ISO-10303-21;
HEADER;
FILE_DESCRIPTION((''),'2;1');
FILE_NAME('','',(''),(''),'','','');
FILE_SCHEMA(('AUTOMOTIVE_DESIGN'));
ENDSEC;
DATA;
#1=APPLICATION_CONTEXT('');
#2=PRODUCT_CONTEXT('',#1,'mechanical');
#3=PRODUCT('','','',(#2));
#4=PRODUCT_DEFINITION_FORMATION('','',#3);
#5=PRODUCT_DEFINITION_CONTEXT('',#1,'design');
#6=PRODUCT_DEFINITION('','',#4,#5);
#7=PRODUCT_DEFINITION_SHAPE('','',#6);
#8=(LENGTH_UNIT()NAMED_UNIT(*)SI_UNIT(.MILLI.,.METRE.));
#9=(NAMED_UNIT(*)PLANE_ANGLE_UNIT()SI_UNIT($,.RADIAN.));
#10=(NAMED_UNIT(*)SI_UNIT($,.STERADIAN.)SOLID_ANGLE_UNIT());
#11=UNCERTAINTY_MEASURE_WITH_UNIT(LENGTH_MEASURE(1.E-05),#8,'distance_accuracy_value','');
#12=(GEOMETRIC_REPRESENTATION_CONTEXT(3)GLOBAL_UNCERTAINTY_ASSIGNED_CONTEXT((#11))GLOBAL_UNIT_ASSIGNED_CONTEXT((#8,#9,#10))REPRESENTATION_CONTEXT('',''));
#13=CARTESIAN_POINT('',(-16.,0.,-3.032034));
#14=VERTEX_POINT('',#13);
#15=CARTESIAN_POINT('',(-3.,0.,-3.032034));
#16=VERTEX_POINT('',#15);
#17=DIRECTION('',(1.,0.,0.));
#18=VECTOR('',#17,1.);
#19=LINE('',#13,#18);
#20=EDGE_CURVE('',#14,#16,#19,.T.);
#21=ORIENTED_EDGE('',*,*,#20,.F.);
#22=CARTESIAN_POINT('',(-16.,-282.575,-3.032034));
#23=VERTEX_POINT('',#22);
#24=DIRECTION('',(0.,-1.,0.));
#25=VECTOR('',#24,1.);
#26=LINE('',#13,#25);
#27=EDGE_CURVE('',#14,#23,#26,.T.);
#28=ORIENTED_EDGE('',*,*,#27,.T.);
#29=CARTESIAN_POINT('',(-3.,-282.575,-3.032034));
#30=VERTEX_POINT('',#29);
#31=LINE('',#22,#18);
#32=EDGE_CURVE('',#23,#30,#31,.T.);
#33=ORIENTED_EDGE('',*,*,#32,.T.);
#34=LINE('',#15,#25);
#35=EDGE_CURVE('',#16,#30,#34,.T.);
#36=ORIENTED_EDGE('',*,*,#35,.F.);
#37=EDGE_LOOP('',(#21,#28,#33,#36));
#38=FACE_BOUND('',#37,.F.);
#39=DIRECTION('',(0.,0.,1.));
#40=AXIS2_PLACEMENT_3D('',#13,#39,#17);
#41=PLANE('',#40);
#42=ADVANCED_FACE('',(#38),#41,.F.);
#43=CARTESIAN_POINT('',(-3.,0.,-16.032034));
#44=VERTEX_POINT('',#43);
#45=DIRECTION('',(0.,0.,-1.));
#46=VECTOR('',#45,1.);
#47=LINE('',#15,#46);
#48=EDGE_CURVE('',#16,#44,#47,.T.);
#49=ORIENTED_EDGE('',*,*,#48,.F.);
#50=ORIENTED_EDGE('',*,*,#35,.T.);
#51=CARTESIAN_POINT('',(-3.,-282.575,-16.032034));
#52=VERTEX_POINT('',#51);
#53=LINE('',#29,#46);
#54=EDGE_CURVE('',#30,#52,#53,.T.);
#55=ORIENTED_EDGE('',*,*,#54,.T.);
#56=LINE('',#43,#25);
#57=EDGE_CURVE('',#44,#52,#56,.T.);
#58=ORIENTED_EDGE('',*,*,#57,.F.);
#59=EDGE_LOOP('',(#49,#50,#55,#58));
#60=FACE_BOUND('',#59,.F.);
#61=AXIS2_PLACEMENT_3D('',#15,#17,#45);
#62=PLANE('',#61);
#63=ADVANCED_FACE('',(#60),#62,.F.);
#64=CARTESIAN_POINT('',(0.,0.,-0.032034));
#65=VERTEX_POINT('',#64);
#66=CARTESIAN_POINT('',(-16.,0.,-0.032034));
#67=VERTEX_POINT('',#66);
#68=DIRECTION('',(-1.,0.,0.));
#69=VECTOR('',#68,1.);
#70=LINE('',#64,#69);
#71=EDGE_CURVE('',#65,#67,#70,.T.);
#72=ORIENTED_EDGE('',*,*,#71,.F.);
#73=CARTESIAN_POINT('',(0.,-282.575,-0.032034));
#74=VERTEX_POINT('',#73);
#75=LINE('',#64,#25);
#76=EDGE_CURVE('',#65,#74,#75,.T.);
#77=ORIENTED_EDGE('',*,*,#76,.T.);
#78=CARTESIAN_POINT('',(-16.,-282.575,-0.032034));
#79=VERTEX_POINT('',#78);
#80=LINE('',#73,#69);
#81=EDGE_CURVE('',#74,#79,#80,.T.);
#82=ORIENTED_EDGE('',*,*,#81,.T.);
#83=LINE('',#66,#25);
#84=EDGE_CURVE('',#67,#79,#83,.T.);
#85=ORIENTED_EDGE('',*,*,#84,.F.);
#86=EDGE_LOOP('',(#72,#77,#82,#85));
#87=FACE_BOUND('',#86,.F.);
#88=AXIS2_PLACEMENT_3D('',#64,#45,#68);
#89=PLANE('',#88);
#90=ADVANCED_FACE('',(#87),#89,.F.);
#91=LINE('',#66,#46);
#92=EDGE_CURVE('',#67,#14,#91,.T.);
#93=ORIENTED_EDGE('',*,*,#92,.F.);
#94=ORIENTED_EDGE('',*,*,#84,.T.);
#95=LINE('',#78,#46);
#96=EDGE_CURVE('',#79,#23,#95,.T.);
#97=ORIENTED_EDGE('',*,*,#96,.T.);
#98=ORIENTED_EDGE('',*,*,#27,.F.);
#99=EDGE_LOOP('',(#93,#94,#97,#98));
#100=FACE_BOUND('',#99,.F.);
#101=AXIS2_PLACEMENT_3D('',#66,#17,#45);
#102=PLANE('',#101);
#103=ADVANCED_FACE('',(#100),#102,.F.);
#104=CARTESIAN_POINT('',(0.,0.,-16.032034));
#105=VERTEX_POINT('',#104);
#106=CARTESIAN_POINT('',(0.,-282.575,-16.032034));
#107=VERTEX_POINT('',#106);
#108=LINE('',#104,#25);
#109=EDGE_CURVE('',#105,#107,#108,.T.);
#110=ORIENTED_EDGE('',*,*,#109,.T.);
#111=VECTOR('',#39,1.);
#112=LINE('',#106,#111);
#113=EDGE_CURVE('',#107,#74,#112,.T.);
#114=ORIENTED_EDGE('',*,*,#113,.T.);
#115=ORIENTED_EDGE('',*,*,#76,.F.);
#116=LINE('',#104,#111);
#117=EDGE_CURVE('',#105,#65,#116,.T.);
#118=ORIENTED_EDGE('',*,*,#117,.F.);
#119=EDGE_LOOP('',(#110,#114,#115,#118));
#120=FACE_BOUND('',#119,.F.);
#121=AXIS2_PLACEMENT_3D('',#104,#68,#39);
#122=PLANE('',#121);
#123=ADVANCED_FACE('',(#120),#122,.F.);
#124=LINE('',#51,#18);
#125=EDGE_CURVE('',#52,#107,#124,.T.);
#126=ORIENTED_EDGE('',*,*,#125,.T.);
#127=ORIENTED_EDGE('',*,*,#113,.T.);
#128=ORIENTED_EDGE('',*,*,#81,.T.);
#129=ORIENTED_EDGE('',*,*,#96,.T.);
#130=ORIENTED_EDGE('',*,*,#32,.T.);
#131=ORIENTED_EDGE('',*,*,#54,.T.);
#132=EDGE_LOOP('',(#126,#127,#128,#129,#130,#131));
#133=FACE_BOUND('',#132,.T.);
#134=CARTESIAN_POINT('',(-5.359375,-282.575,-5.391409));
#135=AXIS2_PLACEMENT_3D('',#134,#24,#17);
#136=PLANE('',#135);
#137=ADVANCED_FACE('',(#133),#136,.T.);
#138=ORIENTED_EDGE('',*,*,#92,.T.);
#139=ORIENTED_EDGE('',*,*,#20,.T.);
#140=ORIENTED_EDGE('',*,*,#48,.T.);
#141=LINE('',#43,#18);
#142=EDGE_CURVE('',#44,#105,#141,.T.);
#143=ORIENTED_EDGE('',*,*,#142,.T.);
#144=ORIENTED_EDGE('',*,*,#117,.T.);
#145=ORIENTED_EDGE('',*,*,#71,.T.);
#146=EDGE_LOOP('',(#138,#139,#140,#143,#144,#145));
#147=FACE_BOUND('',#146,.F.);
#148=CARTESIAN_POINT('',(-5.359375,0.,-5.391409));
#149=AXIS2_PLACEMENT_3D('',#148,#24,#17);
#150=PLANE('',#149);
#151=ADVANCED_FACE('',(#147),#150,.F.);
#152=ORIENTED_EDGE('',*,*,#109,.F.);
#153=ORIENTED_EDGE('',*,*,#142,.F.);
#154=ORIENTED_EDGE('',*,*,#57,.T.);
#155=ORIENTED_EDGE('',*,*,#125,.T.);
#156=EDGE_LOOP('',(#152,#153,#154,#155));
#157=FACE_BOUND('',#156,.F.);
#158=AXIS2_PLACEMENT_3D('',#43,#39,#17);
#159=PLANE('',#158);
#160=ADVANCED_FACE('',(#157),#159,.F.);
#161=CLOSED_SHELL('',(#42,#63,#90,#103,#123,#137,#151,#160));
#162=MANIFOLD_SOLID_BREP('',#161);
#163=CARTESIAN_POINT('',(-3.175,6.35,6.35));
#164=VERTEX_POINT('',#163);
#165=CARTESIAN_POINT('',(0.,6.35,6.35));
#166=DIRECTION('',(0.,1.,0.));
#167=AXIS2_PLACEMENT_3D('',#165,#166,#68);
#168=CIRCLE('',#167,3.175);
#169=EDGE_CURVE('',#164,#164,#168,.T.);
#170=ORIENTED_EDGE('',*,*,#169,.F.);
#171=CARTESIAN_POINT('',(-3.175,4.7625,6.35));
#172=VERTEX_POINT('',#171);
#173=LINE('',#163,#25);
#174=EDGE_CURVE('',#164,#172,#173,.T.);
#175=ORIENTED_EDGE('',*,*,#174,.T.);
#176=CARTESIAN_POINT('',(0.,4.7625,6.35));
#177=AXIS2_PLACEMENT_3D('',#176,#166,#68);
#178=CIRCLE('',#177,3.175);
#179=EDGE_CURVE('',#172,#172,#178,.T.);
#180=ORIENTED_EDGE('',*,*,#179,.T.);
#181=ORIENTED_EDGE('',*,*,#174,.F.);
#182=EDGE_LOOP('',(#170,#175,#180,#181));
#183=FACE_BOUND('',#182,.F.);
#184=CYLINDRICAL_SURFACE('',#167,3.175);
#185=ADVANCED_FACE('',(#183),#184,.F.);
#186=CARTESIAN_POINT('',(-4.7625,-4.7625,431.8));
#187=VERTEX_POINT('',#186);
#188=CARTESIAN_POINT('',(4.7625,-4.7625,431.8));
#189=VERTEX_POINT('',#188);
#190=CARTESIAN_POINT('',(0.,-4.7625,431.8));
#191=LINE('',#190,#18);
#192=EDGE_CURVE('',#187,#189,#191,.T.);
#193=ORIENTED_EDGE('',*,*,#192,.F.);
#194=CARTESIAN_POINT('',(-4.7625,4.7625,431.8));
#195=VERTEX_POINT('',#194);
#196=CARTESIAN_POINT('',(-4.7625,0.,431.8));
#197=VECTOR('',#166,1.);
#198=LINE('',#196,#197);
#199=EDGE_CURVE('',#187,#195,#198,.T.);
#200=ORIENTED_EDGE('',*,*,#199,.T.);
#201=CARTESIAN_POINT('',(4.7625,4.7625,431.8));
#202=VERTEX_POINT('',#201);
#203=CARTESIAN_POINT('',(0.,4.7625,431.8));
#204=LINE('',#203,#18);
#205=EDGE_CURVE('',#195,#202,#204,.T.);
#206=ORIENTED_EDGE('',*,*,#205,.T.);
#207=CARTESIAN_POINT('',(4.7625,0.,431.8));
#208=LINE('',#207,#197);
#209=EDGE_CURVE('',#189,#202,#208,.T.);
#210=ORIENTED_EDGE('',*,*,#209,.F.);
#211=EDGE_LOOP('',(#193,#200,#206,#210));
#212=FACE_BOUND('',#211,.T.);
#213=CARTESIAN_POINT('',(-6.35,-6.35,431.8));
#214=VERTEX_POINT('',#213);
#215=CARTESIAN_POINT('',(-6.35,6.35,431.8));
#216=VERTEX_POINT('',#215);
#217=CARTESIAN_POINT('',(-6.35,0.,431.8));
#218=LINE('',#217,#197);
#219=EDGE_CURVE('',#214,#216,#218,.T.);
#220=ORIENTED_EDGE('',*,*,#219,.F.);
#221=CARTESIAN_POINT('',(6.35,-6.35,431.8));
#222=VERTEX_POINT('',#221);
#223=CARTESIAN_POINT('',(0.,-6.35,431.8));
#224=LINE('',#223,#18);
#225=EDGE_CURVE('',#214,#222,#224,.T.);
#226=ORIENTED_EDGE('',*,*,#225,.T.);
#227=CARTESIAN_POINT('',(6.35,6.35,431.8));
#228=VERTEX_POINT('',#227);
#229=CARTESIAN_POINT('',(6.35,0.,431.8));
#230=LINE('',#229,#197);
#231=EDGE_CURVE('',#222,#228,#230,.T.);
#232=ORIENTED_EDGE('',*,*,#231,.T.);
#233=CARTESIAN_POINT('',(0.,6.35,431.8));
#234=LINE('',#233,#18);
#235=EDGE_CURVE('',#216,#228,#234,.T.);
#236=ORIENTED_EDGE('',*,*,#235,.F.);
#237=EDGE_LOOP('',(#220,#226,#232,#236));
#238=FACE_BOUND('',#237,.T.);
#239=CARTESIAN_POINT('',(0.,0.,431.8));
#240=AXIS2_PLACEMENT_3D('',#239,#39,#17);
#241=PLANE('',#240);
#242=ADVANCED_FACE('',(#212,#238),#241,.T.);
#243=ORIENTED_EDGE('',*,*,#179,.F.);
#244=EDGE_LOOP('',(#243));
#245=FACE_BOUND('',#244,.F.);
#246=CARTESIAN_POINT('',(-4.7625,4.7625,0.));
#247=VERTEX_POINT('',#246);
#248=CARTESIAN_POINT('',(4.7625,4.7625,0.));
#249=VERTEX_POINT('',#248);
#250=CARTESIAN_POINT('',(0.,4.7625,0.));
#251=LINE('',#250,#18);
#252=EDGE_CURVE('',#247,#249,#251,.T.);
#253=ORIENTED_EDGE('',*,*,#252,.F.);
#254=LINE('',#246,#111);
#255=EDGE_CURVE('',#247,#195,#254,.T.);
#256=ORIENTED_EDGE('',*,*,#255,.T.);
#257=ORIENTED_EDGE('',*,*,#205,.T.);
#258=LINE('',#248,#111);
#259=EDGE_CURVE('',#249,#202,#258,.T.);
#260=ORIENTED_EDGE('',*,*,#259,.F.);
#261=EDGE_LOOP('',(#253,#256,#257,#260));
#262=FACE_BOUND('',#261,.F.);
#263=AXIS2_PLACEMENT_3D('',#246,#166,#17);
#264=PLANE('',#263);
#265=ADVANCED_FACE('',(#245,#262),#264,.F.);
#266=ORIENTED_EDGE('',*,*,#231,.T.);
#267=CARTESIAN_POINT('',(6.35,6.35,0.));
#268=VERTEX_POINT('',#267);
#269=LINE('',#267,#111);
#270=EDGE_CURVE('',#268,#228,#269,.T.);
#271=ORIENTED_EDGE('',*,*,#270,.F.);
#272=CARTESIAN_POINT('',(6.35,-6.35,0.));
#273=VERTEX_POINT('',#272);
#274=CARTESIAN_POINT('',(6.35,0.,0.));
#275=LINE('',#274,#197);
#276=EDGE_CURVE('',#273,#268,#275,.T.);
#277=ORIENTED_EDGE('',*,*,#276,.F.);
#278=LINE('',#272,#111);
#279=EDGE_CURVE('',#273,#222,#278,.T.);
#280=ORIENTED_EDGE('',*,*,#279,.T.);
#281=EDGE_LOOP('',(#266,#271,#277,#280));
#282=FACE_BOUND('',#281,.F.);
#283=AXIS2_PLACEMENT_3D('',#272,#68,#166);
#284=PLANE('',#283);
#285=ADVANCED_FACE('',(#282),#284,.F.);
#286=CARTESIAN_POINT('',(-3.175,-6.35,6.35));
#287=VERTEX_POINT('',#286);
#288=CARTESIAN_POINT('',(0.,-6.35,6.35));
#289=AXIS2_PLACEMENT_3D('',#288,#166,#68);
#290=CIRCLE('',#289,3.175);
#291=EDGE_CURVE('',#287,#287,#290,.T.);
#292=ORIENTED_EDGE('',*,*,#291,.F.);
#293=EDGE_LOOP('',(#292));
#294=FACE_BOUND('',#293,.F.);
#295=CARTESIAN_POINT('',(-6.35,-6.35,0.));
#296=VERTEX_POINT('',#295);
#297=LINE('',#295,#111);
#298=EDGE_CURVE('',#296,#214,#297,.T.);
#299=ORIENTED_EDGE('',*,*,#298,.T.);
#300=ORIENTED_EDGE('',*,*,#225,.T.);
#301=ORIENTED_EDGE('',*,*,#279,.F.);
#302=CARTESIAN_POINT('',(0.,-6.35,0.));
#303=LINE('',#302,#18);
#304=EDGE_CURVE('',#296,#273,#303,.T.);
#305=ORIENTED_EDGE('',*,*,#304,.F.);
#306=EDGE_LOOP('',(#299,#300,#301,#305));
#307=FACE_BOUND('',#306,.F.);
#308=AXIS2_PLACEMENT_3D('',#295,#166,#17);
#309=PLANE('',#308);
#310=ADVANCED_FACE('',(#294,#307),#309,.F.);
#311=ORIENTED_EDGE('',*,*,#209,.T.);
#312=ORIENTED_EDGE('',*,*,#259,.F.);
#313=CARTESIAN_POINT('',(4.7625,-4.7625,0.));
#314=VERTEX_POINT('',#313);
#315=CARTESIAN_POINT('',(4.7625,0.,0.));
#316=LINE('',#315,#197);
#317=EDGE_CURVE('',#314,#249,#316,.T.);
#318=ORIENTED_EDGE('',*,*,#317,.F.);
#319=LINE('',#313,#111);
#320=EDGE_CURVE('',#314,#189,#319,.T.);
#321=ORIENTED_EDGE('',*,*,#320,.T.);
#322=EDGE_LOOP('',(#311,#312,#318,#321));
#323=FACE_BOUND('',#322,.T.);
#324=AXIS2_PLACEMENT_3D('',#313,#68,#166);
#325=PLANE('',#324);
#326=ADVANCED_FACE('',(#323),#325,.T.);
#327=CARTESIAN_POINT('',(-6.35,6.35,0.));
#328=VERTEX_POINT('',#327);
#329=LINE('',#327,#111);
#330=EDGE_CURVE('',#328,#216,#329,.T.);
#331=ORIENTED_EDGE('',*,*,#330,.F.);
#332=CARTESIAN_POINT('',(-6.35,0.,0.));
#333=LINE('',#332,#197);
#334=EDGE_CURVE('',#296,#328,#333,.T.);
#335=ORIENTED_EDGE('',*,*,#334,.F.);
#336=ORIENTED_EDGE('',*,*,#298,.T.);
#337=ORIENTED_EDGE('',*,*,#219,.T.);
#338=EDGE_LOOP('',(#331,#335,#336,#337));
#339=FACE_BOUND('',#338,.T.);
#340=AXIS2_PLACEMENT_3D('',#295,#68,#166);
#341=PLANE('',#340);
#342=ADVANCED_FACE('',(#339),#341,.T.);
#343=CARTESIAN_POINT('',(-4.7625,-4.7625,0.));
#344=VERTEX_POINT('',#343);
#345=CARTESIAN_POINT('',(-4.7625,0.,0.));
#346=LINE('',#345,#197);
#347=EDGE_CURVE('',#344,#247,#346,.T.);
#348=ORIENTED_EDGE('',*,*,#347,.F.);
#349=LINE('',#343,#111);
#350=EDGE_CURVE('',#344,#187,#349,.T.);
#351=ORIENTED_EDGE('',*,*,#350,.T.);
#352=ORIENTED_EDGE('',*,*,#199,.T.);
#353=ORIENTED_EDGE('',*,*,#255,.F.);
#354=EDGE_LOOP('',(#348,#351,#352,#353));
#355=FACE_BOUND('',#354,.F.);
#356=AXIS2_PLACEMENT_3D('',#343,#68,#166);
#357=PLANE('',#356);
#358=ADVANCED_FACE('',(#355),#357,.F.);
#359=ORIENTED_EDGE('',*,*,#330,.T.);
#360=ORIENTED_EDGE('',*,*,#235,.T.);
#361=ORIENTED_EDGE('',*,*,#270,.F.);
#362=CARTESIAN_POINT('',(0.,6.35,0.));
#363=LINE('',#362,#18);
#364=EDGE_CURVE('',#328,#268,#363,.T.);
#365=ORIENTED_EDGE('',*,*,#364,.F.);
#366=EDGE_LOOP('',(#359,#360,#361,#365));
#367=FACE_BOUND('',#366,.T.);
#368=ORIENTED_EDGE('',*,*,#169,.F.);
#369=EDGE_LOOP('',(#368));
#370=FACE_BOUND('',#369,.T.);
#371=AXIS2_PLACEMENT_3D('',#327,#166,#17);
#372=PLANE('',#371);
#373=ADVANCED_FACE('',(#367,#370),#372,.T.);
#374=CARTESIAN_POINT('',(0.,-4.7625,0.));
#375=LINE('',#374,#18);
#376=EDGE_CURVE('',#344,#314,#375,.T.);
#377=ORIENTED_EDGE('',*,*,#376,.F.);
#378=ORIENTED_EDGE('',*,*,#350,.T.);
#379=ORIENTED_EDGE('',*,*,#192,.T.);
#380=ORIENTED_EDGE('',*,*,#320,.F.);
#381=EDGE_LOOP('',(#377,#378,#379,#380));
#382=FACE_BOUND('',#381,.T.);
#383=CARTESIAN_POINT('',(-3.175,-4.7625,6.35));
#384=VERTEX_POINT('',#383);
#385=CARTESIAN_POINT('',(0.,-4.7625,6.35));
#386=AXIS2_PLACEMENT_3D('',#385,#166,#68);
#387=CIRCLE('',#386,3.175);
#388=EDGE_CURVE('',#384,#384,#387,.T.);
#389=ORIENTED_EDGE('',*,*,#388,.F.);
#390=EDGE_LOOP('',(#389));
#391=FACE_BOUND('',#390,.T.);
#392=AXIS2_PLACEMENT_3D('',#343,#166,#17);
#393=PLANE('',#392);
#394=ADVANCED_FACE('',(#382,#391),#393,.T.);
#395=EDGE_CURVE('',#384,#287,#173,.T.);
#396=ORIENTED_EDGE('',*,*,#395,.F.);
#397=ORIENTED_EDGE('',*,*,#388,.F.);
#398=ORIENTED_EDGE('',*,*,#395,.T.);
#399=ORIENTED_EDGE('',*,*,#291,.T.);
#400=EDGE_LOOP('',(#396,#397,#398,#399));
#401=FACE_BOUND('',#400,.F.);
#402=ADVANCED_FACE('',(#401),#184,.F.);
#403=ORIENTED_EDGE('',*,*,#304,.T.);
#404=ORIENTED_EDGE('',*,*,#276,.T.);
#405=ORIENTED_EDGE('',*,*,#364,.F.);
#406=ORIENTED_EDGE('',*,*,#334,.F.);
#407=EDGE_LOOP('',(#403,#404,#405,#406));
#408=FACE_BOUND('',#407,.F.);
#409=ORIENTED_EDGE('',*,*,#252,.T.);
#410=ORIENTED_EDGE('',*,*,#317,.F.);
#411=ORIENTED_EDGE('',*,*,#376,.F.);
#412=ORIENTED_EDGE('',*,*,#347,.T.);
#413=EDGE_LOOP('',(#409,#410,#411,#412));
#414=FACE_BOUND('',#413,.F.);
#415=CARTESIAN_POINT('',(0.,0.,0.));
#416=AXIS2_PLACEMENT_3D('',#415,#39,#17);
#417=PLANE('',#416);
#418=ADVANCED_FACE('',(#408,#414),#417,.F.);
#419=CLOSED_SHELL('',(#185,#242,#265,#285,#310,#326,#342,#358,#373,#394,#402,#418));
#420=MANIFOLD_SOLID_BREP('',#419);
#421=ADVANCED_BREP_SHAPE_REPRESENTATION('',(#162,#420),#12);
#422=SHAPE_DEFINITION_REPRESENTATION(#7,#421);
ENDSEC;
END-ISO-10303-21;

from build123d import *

# Parameters (mm, degrees)
F0_W     = 12.7
F0_H     = 12.7
F0_W_2   = 9.525
F0_H_2   = 9.525
F1_DEPTH = 431.8
F2_R     = 3.175
F3_DEPTH = 12.701
F5_DEPTH = 282.575


with BuildPart() as f1:
    # F0 (on Top) → F1 (new body)
    with BuildSketch(Plane.XY):
        Rectangle(F0_W, F0_H)
        Rectangle(F0_W_2, F0_H_2, mode=Mode.SUBTRACT)
    extrude(amount=F1_DEPTH)

    # F2 (on face) → F3 (cut, through all)
    with BuildSketch(Plane(origin=(0, 6.35, 0), x_dir=(-1, 0, 0), z_dir=(0, 1, 0))):
        with Locations((0, 6.35)):
            Circle(F2_R)
    extrude(amount=-F3_DEPTH, mode=Mode.SUBTRACT)


with BuildPart() as f5:
    # F4 (on Front) → F5 (new body)
    with BuildSketch(Plane.XZ):
        Polygon((0, -16.032034), (0, -0.032034), (-16, -0.032034), (-16, -3.032034), (-3, -3.032034), (-3, -16.032034), align=None)
    extrude(amount=F5_DEPTH)


solid = Compound([f1.part, f5.part])
